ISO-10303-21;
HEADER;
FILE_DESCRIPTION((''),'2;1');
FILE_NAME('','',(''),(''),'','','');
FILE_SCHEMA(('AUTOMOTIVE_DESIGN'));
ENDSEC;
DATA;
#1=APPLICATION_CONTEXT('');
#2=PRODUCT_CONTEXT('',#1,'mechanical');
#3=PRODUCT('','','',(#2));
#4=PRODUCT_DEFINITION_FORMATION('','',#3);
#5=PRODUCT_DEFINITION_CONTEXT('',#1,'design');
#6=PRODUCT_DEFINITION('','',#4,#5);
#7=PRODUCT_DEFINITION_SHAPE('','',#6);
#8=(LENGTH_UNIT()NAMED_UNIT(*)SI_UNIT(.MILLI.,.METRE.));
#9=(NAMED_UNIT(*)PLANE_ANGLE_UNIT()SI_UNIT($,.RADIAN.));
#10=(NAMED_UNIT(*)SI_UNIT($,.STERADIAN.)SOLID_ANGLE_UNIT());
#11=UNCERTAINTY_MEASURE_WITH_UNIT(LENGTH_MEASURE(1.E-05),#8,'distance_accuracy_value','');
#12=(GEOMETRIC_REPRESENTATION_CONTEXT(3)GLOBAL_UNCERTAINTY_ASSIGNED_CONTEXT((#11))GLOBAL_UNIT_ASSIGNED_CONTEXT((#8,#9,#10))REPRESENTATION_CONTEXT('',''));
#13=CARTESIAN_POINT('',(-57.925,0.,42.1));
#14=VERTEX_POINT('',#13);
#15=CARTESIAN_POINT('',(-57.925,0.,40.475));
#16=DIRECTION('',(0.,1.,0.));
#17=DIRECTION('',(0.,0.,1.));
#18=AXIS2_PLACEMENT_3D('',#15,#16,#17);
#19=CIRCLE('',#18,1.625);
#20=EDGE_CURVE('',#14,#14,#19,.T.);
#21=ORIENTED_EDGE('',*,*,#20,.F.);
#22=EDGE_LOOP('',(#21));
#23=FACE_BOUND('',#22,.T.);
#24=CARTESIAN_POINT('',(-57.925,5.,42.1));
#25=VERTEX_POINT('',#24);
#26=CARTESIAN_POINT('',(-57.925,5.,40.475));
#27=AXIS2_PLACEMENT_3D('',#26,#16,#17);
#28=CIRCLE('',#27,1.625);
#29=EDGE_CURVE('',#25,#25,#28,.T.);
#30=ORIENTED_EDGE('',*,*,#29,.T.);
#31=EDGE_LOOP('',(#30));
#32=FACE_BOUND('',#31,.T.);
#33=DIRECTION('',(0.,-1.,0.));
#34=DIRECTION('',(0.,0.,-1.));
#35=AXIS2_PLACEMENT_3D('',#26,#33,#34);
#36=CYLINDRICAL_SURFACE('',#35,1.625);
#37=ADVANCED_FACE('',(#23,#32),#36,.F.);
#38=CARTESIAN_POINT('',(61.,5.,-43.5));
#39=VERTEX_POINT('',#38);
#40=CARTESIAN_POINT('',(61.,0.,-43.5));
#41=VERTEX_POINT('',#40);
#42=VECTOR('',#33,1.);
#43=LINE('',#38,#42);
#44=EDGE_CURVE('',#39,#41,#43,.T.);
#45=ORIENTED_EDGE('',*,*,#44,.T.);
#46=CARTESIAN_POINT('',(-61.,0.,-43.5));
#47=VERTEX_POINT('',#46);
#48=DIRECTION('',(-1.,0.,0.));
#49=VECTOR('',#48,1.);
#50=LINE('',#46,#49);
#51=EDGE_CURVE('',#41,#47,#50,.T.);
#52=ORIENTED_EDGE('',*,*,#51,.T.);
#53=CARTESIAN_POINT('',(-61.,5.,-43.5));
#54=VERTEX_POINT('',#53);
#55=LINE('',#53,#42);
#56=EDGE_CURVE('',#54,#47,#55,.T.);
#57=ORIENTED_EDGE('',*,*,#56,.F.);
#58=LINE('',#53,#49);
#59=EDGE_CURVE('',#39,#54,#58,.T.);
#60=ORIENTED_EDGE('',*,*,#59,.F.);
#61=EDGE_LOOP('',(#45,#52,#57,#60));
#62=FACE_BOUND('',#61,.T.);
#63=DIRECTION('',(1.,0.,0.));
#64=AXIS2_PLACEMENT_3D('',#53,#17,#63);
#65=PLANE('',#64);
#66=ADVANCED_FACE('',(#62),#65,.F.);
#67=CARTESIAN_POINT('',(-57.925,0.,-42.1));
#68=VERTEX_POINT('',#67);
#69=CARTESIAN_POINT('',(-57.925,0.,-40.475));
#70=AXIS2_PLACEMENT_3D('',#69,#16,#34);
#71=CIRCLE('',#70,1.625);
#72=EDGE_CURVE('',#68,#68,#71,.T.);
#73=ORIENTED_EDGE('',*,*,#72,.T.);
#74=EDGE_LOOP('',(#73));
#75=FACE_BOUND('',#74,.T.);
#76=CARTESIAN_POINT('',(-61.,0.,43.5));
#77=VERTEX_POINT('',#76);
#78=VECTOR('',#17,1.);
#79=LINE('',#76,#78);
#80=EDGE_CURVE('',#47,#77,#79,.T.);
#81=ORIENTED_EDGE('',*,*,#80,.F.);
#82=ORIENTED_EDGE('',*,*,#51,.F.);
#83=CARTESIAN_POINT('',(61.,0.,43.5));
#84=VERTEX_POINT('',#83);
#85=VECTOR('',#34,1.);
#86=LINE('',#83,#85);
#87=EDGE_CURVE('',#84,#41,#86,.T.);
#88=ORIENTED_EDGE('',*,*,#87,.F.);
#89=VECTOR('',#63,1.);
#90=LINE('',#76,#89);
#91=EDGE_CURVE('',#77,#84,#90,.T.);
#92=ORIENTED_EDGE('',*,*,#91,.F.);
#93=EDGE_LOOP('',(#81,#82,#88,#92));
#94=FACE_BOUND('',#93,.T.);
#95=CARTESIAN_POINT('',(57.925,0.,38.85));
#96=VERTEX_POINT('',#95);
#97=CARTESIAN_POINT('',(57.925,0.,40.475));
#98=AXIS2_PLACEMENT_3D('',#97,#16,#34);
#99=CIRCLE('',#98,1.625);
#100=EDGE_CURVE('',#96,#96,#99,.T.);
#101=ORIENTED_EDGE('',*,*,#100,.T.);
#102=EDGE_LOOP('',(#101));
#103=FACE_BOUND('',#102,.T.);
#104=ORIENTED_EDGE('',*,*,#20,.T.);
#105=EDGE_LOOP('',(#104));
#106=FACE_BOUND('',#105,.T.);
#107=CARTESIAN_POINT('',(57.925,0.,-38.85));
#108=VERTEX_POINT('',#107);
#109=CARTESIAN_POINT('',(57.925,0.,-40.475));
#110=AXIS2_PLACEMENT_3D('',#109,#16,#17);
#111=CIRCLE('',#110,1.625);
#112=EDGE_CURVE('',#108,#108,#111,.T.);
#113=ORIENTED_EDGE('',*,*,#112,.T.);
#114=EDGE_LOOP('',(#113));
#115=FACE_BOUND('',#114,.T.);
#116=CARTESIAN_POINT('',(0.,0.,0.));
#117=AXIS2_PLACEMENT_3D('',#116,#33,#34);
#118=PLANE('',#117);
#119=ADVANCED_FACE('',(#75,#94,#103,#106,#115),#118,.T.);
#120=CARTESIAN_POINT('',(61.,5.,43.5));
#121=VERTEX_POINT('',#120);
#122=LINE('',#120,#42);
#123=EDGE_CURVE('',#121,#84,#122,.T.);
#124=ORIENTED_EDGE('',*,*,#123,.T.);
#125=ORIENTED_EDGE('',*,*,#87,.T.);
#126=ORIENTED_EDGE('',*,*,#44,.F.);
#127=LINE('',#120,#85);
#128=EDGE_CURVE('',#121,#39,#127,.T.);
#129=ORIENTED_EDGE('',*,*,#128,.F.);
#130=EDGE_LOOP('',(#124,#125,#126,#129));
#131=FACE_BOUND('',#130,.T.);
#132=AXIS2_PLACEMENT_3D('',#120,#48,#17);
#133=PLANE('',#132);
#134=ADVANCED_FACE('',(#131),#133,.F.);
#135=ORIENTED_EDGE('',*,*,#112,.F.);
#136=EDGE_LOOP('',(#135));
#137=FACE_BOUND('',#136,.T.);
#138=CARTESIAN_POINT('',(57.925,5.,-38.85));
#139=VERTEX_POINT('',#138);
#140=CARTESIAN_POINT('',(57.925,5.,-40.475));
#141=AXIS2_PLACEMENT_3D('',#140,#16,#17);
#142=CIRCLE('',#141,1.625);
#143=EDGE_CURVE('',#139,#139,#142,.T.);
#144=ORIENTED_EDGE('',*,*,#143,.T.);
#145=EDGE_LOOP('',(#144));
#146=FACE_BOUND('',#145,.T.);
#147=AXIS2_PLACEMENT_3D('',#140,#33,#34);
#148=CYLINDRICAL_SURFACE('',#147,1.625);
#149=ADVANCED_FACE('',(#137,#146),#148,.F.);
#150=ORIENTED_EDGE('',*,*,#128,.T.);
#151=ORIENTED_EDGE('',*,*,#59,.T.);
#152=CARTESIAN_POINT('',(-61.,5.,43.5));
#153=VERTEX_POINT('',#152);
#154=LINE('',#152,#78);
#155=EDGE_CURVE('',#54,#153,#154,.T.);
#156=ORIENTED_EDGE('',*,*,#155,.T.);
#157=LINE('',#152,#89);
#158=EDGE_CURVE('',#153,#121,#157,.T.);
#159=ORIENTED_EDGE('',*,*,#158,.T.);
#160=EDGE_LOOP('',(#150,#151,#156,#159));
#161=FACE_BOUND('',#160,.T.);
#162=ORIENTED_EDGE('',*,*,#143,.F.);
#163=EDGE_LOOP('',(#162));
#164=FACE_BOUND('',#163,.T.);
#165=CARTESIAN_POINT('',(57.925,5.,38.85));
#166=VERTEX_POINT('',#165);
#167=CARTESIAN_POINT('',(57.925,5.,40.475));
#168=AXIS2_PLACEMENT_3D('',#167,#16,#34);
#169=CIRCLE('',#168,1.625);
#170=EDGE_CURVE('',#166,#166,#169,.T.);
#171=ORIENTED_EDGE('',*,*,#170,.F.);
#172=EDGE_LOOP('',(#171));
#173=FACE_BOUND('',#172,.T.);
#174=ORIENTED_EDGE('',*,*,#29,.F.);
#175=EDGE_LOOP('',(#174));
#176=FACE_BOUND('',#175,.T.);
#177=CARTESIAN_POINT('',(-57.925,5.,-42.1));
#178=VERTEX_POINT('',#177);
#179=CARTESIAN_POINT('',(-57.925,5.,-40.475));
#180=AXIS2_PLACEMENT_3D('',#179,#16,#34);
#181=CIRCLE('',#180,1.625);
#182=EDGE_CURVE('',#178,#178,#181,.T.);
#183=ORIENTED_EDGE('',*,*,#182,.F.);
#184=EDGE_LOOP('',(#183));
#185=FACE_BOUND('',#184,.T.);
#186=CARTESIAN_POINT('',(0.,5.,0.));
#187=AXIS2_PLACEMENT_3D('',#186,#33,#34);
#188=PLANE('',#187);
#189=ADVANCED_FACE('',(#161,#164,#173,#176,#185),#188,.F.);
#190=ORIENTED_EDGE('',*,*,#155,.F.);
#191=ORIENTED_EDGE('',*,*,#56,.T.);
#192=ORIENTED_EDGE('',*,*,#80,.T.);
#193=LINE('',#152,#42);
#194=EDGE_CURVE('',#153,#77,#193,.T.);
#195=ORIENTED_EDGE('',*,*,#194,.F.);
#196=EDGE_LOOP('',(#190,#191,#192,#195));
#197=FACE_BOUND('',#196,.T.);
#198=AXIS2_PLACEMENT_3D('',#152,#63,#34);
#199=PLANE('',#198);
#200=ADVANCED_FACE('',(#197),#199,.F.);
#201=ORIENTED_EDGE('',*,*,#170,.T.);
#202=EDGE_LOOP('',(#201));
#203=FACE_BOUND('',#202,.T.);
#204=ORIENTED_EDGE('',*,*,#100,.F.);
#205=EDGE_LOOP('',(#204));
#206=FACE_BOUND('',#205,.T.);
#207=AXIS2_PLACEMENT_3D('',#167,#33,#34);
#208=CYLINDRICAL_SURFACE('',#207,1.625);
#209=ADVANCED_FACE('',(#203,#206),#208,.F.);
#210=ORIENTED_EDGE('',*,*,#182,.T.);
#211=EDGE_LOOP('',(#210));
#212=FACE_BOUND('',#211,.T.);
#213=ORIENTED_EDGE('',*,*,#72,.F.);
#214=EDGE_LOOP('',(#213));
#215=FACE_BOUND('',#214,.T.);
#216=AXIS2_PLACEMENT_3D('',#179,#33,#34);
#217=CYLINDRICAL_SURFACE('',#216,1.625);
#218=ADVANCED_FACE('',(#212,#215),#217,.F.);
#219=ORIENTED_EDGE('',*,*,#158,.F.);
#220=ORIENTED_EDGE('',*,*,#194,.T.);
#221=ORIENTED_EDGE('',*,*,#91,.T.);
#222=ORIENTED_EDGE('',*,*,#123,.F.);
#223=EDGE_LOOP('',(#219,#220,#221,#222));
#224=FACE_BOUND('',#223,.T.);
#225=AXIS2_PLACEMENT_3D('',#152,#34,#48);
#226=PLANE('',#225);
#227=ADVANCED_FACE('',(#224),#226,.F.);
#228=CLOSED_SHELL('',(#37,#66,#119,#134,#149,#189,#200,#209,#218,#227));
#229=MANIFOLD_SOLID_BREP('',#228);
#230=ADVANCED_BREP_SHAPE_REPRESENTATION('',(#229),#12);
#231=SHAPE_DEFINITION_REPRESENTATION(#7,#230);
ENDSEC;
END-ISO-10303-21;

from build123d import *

# Parameters (mm, degrees)
SKETCH1_W           = 122
SKETCH1_H           = 87
SKETCH1_R           = 1.625
BOSS_EXTRUDE1_DEPTH = 5


with BuildPart() as part:
    # Sketch1 → Boss-Extrude1 (new body)
    with BuildSketch(Plane(origin=(0, 0, 0), x_dir=(1, 0, 0), z_dir=(0, 1, 0))):
        Rectangle(SKETCH1_W, SKETCH1_H)
        with Locations((57.925, 40.475)):
            Circle(SKETCH1_R, mode=Mode.SUBTRACT)
        with Locations((-57.925, 40.475)):
            Circle(SKETCH1_R, mode=Mode.SUBTRACT)
        with Locations((-57.925, -40.475)):
            Circle(SKETCH1_R, mode=Mode.SUBTRACT)
        with Locations((57.925, -40.475)):
            Circle(SKETCH1_R, mode=Mode.SUBTRACT)
    extrude(amount=BOSS_EXTRUDE1_DEPTH)


solid = part.part
